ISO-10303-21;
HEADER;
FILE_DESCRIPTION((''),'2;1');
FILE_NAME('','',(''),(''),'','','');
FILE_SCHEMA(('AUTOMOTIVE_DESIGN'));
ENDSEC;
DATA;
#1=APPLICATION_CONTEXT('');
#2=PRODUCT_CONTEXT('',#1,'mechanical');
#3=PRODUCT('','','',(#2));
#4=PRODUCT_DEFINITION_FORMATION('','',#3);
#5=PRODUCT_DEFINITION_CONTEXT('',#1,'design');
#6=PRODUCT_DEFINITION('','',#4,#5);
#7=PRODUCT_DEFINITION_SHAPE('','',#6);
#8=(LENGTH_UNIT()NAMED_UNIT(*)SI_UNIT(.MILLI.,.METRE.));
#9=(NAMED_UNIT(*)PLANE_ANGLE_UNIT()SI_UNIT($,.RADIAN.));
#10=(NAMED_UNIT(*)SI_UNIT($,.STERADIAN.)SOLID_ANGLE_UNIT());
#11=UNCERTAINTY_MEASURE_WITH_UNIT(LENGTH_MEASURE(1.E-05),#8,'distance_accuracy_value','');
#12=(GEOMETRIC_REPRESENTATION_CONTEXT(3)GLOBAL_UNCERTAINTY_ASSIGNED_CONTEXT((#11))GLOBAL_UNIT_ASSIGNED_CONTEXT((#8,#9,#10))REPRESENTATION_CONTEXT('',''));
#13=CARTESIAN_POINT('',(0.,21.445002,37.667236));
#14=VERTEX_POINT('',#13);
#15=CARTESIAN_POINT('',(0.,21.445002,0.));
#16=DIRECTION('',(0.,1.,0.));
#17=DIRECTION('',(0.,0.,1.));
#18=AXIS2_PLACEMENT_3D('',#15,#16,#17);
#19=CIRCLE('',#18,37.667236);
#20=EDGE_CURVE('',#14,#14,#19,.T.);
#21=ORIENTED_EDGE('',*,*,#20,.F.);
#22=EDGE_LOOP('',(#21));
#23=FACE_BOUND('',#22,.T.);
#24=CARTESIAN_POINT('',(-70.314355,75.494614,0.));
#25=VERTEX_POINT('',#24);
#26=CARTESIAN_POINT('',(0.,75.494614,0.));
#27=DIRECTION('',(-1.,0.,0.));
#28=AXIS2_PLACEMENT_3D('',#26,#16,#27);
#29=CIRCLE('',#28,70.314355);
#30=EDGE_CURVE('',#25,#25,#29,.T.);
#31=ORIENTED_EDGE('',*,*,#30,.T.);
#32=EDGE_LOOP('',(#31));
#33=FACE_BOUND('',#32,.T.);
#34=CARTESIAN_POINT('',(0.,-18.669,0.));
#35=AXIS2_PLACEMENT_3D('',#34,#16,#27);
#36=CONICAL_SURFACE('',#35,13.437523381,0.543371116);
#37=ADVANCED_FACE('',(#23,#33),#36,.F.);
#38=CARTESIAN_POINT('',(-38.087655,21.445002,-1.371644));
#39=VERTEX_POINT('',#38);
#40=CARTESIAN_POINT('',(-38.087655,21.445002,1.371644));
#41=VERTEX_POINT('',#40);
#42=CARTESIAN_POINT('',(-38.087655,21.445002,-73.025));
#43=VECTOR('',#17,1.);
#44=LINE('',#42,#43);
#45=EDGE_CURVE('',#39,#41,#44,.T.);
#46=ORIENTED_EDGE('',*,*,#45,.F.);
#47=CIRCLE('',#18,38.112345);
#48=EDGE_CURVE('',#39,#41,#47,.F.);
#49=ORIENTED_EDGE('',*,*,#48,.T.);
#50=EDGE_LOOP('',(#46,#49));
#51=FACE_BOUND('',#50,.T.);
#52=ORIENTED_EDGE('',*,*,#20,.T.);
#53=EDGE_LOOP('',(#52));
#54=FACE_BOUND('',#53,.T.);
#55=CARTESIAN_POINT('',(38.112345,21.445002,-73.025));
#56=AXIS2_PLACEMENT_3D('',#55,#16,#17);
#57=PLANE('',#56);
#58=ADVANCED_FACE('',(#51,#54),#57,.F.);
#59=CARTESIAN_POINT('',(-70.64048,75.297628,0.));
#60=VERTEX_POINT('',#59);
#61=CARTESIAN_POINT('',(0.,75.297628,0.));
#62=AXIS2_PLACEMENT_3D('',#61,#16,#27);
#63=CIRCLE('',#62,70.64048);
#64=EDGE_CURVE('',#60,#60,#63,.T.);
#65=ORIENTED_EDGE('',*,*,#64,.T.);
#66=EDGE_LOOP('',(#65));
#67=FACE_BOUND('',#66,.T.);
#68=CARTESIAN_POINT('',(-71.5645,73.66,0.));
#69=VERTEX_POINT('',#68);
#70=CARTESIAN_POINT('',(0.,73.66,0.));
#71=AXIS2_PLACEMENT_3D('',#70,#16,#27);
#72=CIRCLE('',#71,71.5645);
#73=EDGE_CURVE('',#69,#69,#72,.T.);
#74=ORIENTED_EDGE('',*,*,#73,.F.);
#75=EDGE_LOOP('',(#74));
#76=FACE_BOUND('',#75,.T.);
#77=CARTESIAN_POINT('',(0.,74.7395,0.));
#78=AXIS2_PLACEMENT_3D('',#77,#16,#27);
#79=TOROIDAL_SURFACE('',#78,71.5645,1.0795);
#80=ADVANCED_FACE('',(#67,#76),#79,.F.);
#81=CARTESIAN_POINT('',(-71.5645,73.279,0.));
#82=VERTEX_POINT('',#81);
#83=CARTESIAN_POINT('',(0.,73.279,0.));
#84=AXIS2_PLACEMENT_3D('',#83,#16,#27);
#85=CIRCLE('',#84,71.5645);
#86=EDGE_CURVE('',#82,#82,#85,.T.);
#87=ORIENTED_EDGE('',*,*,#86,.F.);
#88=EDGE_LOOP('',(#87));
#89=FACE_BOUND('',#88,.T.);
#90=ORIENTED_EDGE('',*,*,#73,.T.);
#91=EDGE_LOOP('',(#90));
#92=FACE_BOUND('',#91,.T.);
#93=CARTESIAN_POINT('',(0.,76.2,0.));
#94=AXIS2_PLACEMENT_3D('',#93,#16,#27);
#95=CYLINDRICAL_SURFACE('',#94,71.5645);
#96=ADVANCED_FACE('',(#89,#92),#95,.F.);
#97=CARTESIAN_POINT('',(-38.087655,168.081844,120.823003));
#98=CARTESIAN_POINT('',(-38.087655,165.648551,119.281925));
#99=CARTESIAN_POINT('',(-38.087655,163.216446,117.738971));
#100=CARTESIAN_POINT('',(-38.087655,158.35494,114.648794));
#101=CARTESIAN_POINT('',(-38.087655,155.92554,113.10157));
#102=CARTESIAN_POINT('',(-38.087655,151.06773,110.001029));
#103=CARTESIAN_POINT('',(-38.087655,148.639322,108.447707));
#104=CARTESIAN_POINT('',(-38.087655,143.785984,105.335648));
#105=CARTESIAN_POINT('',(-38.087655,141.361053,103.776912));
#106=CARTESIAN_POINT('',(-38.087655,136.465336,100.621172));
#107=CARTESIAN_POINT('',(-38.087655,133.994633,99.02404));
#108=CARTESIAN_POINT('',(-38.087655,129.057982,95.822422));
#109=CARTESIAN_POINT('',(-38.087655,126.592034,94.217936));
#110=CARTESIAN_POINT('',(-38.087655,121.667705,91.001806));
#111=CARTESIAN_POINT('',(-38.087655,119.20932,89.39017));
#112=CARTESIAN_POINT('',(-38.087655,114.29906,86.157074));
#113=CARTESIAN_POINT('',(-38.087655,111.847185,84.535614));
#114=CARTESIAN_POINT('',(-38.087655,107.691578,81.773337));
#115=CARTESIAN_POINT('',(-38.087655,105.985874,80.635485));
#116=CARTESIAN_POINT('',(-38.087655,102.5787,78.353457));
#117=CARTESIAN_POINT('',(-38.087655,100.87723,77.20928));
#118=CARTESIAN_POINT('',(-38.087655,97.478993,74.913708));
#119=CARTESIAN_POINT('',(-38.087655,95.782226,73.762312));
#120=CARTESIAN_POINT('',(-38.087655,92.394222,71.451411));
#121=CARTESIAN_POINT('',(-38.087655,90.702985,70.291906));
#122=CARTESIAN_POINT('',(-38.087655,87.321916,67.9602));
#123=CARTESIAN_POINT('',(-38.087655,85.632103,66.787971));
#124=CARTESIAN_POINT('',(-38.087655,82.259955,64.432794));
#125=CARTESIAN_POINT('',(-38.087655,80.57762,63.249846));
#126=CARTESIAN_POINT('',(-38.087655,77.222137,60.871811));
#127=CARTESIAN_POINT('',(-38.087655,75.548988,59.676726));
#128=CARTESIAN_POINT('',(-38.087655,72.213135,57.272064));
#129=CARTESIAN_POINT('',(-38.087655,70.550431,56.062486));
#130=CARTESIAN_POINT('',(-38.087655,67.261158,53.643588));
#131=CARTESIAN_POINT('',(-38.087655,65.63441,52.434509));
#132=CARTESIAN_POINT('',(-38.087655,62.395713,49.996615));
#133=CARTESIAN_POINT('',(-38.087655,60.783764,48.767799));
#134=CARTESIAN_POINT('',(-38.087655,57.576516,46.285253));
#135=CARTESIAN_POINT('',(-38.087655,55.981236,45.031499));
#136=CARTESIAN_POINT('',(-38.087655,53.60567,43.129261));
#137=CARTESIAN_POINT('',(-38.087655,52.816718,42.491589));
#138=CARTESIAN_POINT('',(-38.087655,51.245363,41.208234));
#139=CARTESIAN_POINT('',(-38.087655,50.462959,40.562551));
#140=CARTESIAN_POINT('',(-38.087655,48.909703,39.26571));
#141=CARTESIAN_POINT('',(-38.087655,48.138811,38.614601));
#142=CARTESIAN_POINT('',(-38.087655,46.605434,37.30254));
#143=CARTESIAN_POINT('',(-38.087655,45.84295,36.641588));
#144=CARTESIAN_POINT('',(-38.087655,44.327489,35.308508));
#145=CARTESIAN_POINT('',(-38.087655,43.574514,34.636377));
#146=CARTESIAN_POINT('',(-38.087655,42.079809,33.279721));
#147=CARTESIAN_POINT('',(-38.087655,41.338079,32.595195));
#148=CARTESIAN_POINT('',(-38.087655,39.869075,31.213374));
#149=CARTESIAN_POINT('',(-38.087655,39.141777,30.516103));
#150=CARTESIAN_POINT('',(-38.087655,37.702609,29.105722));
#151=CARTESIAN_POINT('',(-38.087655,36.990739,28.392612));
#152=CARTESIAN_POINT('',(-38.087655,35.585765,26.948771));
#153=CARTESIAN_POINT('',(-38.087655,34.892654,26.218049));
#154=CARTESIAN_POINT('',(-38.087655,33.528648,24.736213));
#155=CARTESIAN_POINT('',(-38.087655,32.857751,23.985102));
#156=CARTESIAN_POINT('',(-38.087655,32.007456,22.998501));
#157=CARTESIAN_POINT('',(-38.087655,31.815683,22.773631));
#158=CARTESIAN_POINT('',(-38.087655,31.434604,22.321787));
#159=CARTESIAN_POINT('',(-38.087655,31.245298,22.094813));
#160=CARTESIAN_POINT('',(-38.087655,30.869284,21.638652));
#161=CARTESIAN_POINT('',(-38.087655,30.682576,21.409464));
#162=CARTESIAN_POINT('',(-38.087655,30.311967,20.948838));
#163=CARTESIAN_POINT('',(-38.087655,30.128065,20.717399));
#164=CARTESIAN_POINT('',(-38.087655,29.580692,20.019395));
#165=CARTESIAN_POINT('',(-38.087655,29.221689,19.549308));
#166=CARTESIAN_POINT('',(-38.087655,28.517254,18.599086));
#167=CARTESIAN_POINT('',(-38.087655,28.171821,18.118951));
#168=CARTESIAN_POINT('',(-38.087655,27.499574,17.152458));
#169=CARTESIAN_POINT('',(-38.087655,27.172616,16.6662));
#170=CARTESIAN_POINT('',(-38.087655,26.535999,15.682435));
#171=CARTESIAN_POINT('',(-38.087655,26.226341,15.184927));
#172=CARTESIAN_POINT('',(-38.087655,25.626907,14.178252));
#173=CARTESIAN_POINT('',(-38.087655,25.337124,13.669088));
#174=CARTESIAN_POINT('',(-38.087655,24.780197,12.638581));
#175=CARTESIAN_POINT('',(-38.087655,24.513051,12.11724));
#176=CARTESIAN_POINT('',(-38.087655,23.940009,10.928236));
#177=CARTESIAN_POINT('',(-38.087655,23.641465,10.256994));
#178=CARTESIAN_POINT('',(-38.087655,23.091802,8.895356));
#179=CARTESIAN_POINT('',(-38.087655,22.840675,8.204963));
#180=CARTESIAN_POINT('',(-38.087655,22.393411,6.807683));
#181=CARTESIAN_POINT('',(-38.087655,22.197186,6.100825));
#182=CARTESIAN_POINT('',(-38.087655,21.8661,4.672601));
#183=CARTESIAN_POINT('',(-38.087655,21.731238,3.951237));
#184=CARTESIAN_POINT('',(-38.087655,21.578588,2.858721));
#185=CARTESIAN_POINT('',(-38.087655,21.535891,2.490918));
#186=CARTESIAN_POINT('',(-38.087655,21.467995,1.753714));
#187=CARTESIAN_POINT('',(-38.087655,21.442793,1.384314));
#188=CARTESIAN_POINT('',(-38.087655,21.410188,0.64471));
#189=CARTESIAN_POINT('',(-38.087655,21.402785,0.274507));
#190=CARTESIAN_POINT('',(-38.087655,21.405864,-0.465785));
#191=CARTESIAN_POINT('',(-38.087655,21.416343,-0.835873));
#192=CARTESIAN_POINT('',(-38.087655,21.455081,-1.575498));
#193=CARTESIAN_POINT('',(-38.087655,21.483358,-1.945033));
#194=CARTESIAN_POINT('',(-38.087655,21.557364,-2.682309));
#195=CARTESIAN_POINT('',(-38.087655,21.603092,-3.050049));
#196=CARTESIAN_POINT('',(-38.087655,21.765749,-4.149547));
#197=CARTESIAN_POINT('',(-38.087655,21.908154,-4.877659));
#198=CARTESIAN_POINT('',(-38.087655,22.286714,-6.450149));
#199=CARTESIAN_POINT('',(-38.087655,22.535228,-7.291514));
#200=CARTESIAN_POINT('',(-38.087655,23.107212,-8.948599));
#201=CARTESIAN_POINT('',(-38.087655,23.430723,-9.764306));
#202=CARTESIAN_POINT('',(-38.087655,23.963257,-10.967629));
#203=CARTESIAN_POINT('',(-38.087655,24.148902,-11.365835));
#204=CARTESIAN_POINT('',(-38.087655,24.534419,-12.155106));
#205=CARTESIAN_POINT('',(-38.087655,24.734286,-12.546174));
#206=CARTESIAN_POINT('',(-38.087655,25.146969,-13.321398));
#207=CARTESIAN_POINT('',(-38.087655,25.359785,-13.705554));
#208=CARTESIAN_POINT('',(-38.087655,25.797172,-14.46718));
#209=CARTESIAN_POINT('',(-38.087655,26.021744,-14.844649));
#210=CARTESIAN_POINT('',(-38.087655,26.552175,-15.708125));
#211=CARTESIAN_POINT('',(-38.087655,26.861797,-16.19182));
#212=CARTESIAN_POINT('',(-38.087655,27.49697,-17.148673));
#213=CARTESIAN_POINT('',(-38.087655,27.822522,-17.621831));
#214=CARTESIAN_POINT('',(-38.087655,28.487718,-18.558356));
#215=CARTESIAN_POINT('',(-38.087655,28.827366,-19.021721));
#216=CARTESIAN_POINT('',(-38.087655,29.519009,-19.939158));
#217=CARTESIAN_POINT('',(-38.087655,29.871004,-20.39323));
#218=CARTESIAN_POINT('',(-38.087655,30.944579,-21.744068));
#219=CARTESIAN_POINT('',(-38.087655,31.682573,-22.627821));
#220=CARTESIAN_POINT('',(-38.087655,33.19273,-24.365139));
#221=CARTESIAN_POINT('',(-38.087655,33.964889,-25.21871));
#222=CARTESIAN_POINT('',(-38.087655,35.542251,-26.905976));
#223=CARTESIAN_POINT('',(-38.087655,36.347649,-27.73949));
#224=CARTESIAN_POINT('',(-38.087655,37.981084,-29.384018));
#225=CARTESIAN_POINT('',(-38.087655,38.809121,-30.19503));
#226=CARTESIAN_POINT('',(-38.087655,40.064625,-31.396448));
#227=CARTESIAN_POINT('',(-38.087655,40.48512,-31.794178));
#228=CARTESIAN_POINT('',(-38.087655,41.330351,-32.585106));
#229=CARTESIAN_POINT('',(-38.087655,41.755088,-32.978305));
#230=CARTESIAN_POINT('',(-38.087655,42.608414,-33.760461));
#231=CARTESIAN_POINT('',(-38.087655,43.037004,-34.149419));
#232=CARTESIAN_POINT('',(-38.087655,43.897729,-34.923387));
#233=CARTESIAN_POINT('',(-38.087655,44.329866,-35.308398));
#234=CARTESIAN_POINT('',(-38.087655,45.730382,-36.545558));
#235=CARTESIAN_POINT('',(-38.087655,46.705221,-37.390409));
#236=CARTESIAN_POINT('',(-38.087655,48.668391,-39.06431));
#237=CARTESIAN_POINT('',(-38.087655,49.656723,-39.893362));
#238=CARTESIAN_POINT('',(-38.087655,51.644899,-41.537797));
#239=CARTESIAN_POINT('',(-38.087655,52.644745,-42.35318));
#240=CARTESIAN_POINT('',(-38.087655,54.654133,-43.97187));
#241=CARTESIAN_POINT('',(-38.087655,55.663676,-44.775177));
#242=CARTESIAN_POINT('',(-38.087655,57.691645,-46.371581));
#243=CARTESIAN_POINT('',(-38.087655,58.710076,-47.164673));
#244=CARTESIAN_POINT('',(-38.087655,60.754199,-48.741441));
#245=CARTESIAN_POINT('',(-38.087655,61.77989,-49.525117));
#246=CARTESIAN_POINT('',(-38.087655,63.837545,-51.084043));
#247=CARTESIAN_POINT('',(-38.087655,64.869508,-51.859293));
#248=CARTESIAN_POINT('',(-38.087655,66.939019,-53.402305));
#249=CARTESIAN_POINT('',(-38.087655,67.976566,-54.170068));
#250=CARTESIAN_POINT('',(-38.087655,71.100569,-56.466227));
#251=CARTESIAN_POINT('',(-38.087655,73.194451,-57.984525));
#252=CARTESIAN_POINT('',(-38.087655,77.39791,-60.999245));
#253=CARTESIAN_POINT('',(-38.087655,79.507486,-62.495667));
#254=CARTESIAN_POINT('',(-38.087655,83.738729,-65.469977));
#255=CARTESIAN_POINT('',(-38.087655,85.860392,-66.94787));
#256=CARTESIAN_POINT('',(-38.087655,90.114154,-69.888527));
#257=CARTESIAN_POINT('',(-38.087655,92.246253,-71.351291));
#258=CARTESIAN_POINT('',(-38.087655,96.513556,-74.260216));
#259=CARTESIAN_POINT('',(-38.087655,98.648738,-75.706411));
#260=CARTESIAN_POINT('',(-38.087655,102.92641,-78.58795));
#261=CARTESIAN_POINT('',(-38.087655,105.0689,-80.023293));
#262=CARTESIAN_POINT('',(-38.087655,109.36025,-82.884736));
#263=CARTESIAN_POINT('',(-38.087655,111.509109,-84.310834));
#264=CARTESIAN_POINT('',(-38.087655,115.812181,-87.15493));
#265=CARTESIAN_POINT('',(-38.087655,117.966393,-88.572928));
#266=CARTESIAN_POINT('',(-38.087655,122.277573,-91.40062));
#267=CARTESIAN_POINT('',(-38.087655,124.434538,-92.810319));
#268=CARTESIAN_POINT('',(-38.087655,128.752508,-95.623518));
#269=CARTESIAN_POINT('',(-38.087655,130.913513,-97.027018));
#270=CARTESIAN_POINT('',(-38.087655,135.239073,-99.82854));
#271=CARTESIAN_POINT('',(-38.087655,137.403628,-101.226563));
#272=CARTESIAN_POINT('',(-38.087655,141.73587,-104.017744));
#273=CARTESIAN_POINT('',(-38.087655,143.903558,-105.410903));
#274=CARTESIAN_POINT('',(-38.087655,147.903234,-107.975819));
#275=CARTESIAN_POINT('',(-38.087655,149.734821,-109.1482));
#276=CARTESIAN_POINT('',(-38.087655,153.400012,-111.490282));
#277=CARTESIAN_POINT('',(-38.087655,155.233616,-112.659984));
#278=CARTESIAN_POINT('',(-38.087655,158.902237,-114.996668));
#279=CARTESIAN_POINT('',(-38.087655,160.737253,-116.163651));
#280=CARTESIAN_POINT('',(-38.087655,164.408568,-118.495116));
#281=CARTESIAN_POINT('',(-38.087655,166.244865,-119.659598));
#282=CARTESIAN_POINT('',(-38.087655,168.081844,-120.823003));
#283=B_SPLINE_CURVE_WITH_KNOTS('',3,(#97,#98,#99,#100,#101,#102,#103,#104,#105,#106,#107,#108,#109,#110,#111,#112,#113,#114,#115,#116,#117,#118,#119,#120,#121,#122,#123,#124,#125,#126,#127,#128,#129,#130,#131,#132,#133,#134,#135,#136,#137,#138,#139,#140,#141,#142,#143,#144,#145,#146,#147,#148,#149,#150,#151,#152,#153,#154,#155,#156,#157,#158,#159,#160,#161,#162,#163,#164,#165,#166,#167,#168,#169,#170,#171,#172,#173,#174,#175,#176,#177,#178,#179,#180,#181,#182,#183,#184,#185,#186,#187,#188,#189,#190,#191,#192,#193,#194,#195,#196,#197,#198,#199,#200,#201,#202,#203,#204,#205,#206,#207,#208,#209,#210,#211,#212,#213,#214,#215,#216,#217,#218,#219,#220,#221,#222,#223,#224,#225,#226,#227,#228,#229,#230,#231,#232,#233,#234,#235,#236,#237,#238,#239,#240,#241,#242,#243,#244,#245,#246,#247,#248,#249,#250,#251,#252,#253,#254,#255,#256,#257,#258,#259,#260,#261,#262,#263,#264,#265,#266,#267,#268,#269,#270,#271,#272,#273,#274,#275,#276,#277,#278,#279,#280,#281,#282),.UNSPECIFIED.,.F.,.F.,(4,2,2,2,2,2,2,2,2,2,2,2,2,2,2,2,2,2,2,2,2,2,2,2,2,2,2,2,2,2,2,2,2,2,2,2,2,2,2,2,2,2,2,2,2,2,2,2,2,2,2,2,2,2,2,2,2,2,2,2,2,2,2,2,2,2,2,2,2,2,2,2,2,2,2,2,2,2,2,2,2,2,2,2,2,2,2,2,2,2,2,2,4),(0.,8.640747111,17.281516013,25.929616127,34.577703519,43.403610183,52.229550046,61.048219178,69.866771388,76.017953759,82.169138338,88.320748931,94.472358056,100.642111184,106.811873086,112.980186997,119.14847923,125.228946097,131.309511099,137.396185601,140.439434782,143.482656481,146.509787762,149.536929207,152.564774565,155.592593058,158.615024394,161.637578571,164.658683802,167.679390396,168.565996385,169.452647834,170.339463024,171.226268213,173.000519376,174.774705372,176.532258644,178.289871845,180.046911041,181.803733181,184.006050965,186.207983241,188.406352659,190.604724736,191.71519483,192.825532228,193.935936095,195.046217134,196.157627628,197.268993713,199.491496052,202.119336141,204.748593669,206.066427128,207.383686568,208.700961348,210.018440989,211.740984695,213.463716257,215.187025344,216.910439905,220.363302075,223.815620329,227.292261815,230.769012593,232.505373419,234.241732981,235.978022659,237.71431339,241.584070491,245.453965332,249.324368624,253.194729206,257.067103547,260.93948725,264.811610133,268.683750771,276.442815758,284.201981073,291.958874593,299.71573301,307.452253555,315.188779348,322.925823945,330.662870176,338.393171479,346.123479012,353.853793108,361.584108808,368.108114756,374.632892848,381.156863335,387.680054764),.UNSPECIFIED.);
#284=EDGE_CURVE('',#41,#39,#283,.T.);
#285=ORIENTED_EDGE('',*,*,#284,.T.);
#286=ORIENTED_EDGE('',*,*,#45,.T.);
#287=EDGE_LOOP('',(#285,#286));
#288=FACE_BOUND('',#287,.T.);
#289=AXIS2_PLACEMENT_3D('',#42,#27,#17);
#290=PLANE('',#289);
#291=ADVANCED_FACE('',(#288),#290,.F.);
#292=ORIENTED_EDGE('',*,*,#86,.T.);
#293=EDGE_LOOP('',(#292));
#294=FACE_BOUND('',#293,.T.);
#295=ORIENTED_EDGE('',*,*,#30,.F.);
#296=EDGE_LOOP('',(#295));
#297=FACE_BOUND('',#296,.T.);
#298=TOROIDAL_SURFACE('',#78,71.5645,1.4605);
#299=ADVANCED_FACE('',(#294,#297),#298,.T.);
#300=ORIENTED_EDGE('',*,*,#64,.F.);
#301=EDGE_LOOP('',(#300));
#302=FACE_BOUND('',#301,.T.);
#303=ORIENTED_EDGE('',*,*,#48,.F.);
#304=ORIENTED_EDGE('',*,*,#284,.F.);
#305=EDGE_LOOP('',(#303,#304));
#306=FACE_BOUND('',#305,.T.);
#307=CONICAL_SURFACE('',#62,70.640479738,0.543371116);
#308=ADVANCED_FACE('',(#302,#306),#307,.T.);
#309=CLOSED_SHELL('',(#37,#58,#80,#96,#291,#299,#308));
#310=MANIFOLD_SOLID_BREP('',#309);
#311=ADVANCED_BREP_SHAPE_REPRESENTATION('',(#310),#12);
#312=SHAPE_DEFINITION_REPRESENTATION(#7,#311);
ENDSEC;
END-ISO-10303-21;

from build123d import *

# Parameters (mm, degrees)
FILLET1_R               = 2.54
SKETCH11_W              = 76.2
SKETCH11_H              = 114.3
CUT_EXTRUDE1_DEPTH      = 74.0250001
CUT_EXTRUDE1_DEPTH_BACK = 74.0250001


with BuildPart() as part:
    # Sketch3 → Revolve1 (revolve)
    with BuildSketch(Plane.XY):
        with BuildLine():
            Line((-71.5645, 73.279), (-71.5645, 73.66))
            ThreePointArc((-71.5645, 73.66), (-72.504664711, 75.269981447), (-70.640479738, 75.297627948))
            Line((-70.640479738, 75.297627948), (-70.13186321, 74.455577339))
            Line((-70.13186321, 74.455577339), (-13.6525, -19.05))
            Line((-13.6525, -19.05), (-12.065, -19.05))
            Line((-12.065, -19.05), (-12.1031, -18.669))
            Line((-12.1031, -18.669), (-13.437523381, -18.669))
            Line((-13.437523381, -18.669), (-70.31435494, 75.494614282))
            ThreePointArc((-70.31435494, 75.494614282), (-72.836487551, 75.457210193), (-71.5645, 73.279))
        make_face()
    revolve(axis=Axis((0, 76.2, 0), (0, -1, 0)))

    # Sketch4 → Revolve2 (revolve)
    with BuildSketch(Plane.XY):
        Polygon((-5.967099739, -76.2), (-11.682099739, -19.05), (-11.752974875, -18.341248634), (-13.635492197, -18.341248634), (-13.437523381, -18.669), (-12.1031, -18.669), (-12.065, -19.05), (-6.35, -76.2), align=None)
    revolve(axis=Axis((0, 76.2, 0), (0, -1, 0)))

    # Fillet1
    fillet1_edges = [part.edges().sort_by_distance(p)[0] for p in [
        (13.6525, -19.05, 0),
    ]]
    fillet(fillet1_edges, radius=FILLET1_R)

    # Sketch11 → Cut-Extrude1 (cut, two sides)
    with BuildSketch(Plane.XY) as cut_extrude1_sk:
        with Locations((0.012345185, -35.704997655)):
            Rectangle(SKETCH11_W, SKETCH11_H)
    extrude(amount=CUT_EXTRUDE1_DEPTH, mode=Mode.SUBTRACT)
    extrude(cut_extrude1_sk.sketch, amount=-CUT_EXTRUDE1_DEPTH_BACK, mode=Mode.SUBTRACT)


solid = part.part
